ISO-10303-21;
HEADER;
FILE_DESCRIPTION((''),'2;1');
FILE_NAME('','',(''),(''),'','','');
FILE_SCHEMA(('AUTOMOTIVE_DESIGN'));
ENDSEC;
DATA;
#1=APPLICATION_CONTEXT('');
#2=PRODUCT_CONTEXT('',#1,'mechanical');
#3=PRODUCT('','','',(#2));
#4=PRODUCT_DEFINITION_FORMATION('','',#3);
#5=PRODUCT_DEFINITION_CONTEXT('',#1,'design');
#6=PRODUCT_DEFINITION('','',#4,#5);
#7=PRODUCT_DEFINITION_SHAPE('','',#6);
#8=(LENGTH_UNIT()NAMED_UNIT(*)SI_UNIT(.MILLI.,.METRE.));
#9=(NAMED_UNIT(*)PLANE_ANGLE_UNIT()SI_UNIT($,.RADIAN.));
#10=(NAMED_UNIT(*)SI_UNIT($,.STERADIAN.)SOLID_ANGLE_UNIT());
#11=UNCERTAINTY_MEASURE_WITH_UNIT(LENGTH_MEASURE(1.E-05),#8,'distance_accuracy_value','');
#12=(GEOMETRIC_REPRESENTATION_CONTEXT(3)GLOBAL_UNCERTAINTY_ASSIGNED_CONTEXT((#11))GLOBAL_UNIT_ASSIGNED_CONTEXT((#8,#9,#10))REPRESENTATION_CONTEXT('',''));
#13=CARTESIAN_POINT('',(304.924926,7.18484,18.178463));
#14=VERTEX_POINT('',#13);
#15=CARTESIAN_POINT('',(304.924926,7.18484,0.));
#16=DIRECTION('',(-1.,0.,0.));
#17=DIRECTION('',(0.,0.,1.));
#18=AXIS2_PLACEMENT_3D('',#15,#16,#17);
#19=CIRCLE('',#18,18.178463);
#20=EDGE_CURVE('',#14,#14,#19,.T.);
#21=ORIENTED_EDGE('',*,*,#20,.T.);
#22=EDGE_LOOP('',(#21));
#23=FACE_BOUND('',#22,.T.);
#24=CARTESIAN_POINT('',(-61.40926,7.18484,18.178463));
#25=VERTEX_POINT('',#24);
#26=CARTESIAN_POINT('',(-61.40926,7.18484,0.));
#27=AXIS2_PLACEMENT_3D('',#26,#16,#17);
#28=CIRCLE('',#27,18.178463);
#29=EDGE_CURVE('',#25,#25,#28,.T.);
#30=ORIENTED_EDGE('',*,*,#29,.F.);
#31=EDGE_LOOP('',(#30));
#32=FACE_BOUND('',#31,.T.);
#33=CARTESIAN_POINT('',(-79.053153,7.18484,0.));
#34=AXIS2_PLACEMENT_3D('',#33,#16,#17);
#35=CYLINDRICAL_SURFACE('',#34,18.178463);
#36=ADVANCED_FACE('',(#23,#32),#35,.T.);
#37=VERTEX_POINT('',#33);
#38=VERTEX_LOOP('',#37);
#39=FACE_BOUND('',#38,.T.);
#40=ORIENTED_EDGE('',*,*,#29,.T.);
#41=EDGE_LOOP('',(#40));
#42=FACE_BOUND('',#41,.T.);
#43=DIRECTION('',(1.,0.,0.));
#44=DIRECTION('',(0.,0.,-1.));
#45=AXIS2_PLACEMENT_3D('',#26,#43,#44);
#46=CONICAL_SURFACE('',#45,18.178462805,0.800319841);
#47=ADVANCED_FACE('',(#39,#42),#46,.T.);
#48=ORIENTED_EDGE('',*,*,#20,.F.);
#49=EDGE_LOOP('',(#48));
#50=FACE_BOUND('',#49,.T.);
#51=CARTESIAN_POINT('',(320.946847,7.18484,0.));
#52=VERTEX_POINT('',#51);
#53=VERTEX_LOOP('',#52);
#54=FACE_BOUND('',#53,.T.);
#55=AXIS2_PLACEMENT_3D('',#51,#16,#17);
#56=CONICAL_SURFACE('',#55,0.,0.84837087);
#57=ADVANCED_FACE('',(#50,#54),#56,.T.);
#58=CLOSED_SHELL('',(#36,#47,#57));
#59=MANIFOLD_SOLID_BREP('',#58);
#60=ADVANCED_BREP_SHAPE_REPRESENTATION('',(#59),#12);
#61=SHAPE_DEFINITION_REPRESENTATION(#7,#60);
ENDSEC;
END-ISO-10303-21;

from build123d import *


with BuildPart() as part:
    # Croquis1 → Revolución2 (revolve)
    with BuildSketch(Plane.XY):
        Polygon((-79.053152984, 7.18483977), (320.946847016, 7.18483977), (304.924926316, 25.363302575), (-61.409259522, 25.363302575), align=None)
    revolve(axis=Axis((-79.053152984, 7.18483977, 0), (1, 0, 0)))


solid = part.part
